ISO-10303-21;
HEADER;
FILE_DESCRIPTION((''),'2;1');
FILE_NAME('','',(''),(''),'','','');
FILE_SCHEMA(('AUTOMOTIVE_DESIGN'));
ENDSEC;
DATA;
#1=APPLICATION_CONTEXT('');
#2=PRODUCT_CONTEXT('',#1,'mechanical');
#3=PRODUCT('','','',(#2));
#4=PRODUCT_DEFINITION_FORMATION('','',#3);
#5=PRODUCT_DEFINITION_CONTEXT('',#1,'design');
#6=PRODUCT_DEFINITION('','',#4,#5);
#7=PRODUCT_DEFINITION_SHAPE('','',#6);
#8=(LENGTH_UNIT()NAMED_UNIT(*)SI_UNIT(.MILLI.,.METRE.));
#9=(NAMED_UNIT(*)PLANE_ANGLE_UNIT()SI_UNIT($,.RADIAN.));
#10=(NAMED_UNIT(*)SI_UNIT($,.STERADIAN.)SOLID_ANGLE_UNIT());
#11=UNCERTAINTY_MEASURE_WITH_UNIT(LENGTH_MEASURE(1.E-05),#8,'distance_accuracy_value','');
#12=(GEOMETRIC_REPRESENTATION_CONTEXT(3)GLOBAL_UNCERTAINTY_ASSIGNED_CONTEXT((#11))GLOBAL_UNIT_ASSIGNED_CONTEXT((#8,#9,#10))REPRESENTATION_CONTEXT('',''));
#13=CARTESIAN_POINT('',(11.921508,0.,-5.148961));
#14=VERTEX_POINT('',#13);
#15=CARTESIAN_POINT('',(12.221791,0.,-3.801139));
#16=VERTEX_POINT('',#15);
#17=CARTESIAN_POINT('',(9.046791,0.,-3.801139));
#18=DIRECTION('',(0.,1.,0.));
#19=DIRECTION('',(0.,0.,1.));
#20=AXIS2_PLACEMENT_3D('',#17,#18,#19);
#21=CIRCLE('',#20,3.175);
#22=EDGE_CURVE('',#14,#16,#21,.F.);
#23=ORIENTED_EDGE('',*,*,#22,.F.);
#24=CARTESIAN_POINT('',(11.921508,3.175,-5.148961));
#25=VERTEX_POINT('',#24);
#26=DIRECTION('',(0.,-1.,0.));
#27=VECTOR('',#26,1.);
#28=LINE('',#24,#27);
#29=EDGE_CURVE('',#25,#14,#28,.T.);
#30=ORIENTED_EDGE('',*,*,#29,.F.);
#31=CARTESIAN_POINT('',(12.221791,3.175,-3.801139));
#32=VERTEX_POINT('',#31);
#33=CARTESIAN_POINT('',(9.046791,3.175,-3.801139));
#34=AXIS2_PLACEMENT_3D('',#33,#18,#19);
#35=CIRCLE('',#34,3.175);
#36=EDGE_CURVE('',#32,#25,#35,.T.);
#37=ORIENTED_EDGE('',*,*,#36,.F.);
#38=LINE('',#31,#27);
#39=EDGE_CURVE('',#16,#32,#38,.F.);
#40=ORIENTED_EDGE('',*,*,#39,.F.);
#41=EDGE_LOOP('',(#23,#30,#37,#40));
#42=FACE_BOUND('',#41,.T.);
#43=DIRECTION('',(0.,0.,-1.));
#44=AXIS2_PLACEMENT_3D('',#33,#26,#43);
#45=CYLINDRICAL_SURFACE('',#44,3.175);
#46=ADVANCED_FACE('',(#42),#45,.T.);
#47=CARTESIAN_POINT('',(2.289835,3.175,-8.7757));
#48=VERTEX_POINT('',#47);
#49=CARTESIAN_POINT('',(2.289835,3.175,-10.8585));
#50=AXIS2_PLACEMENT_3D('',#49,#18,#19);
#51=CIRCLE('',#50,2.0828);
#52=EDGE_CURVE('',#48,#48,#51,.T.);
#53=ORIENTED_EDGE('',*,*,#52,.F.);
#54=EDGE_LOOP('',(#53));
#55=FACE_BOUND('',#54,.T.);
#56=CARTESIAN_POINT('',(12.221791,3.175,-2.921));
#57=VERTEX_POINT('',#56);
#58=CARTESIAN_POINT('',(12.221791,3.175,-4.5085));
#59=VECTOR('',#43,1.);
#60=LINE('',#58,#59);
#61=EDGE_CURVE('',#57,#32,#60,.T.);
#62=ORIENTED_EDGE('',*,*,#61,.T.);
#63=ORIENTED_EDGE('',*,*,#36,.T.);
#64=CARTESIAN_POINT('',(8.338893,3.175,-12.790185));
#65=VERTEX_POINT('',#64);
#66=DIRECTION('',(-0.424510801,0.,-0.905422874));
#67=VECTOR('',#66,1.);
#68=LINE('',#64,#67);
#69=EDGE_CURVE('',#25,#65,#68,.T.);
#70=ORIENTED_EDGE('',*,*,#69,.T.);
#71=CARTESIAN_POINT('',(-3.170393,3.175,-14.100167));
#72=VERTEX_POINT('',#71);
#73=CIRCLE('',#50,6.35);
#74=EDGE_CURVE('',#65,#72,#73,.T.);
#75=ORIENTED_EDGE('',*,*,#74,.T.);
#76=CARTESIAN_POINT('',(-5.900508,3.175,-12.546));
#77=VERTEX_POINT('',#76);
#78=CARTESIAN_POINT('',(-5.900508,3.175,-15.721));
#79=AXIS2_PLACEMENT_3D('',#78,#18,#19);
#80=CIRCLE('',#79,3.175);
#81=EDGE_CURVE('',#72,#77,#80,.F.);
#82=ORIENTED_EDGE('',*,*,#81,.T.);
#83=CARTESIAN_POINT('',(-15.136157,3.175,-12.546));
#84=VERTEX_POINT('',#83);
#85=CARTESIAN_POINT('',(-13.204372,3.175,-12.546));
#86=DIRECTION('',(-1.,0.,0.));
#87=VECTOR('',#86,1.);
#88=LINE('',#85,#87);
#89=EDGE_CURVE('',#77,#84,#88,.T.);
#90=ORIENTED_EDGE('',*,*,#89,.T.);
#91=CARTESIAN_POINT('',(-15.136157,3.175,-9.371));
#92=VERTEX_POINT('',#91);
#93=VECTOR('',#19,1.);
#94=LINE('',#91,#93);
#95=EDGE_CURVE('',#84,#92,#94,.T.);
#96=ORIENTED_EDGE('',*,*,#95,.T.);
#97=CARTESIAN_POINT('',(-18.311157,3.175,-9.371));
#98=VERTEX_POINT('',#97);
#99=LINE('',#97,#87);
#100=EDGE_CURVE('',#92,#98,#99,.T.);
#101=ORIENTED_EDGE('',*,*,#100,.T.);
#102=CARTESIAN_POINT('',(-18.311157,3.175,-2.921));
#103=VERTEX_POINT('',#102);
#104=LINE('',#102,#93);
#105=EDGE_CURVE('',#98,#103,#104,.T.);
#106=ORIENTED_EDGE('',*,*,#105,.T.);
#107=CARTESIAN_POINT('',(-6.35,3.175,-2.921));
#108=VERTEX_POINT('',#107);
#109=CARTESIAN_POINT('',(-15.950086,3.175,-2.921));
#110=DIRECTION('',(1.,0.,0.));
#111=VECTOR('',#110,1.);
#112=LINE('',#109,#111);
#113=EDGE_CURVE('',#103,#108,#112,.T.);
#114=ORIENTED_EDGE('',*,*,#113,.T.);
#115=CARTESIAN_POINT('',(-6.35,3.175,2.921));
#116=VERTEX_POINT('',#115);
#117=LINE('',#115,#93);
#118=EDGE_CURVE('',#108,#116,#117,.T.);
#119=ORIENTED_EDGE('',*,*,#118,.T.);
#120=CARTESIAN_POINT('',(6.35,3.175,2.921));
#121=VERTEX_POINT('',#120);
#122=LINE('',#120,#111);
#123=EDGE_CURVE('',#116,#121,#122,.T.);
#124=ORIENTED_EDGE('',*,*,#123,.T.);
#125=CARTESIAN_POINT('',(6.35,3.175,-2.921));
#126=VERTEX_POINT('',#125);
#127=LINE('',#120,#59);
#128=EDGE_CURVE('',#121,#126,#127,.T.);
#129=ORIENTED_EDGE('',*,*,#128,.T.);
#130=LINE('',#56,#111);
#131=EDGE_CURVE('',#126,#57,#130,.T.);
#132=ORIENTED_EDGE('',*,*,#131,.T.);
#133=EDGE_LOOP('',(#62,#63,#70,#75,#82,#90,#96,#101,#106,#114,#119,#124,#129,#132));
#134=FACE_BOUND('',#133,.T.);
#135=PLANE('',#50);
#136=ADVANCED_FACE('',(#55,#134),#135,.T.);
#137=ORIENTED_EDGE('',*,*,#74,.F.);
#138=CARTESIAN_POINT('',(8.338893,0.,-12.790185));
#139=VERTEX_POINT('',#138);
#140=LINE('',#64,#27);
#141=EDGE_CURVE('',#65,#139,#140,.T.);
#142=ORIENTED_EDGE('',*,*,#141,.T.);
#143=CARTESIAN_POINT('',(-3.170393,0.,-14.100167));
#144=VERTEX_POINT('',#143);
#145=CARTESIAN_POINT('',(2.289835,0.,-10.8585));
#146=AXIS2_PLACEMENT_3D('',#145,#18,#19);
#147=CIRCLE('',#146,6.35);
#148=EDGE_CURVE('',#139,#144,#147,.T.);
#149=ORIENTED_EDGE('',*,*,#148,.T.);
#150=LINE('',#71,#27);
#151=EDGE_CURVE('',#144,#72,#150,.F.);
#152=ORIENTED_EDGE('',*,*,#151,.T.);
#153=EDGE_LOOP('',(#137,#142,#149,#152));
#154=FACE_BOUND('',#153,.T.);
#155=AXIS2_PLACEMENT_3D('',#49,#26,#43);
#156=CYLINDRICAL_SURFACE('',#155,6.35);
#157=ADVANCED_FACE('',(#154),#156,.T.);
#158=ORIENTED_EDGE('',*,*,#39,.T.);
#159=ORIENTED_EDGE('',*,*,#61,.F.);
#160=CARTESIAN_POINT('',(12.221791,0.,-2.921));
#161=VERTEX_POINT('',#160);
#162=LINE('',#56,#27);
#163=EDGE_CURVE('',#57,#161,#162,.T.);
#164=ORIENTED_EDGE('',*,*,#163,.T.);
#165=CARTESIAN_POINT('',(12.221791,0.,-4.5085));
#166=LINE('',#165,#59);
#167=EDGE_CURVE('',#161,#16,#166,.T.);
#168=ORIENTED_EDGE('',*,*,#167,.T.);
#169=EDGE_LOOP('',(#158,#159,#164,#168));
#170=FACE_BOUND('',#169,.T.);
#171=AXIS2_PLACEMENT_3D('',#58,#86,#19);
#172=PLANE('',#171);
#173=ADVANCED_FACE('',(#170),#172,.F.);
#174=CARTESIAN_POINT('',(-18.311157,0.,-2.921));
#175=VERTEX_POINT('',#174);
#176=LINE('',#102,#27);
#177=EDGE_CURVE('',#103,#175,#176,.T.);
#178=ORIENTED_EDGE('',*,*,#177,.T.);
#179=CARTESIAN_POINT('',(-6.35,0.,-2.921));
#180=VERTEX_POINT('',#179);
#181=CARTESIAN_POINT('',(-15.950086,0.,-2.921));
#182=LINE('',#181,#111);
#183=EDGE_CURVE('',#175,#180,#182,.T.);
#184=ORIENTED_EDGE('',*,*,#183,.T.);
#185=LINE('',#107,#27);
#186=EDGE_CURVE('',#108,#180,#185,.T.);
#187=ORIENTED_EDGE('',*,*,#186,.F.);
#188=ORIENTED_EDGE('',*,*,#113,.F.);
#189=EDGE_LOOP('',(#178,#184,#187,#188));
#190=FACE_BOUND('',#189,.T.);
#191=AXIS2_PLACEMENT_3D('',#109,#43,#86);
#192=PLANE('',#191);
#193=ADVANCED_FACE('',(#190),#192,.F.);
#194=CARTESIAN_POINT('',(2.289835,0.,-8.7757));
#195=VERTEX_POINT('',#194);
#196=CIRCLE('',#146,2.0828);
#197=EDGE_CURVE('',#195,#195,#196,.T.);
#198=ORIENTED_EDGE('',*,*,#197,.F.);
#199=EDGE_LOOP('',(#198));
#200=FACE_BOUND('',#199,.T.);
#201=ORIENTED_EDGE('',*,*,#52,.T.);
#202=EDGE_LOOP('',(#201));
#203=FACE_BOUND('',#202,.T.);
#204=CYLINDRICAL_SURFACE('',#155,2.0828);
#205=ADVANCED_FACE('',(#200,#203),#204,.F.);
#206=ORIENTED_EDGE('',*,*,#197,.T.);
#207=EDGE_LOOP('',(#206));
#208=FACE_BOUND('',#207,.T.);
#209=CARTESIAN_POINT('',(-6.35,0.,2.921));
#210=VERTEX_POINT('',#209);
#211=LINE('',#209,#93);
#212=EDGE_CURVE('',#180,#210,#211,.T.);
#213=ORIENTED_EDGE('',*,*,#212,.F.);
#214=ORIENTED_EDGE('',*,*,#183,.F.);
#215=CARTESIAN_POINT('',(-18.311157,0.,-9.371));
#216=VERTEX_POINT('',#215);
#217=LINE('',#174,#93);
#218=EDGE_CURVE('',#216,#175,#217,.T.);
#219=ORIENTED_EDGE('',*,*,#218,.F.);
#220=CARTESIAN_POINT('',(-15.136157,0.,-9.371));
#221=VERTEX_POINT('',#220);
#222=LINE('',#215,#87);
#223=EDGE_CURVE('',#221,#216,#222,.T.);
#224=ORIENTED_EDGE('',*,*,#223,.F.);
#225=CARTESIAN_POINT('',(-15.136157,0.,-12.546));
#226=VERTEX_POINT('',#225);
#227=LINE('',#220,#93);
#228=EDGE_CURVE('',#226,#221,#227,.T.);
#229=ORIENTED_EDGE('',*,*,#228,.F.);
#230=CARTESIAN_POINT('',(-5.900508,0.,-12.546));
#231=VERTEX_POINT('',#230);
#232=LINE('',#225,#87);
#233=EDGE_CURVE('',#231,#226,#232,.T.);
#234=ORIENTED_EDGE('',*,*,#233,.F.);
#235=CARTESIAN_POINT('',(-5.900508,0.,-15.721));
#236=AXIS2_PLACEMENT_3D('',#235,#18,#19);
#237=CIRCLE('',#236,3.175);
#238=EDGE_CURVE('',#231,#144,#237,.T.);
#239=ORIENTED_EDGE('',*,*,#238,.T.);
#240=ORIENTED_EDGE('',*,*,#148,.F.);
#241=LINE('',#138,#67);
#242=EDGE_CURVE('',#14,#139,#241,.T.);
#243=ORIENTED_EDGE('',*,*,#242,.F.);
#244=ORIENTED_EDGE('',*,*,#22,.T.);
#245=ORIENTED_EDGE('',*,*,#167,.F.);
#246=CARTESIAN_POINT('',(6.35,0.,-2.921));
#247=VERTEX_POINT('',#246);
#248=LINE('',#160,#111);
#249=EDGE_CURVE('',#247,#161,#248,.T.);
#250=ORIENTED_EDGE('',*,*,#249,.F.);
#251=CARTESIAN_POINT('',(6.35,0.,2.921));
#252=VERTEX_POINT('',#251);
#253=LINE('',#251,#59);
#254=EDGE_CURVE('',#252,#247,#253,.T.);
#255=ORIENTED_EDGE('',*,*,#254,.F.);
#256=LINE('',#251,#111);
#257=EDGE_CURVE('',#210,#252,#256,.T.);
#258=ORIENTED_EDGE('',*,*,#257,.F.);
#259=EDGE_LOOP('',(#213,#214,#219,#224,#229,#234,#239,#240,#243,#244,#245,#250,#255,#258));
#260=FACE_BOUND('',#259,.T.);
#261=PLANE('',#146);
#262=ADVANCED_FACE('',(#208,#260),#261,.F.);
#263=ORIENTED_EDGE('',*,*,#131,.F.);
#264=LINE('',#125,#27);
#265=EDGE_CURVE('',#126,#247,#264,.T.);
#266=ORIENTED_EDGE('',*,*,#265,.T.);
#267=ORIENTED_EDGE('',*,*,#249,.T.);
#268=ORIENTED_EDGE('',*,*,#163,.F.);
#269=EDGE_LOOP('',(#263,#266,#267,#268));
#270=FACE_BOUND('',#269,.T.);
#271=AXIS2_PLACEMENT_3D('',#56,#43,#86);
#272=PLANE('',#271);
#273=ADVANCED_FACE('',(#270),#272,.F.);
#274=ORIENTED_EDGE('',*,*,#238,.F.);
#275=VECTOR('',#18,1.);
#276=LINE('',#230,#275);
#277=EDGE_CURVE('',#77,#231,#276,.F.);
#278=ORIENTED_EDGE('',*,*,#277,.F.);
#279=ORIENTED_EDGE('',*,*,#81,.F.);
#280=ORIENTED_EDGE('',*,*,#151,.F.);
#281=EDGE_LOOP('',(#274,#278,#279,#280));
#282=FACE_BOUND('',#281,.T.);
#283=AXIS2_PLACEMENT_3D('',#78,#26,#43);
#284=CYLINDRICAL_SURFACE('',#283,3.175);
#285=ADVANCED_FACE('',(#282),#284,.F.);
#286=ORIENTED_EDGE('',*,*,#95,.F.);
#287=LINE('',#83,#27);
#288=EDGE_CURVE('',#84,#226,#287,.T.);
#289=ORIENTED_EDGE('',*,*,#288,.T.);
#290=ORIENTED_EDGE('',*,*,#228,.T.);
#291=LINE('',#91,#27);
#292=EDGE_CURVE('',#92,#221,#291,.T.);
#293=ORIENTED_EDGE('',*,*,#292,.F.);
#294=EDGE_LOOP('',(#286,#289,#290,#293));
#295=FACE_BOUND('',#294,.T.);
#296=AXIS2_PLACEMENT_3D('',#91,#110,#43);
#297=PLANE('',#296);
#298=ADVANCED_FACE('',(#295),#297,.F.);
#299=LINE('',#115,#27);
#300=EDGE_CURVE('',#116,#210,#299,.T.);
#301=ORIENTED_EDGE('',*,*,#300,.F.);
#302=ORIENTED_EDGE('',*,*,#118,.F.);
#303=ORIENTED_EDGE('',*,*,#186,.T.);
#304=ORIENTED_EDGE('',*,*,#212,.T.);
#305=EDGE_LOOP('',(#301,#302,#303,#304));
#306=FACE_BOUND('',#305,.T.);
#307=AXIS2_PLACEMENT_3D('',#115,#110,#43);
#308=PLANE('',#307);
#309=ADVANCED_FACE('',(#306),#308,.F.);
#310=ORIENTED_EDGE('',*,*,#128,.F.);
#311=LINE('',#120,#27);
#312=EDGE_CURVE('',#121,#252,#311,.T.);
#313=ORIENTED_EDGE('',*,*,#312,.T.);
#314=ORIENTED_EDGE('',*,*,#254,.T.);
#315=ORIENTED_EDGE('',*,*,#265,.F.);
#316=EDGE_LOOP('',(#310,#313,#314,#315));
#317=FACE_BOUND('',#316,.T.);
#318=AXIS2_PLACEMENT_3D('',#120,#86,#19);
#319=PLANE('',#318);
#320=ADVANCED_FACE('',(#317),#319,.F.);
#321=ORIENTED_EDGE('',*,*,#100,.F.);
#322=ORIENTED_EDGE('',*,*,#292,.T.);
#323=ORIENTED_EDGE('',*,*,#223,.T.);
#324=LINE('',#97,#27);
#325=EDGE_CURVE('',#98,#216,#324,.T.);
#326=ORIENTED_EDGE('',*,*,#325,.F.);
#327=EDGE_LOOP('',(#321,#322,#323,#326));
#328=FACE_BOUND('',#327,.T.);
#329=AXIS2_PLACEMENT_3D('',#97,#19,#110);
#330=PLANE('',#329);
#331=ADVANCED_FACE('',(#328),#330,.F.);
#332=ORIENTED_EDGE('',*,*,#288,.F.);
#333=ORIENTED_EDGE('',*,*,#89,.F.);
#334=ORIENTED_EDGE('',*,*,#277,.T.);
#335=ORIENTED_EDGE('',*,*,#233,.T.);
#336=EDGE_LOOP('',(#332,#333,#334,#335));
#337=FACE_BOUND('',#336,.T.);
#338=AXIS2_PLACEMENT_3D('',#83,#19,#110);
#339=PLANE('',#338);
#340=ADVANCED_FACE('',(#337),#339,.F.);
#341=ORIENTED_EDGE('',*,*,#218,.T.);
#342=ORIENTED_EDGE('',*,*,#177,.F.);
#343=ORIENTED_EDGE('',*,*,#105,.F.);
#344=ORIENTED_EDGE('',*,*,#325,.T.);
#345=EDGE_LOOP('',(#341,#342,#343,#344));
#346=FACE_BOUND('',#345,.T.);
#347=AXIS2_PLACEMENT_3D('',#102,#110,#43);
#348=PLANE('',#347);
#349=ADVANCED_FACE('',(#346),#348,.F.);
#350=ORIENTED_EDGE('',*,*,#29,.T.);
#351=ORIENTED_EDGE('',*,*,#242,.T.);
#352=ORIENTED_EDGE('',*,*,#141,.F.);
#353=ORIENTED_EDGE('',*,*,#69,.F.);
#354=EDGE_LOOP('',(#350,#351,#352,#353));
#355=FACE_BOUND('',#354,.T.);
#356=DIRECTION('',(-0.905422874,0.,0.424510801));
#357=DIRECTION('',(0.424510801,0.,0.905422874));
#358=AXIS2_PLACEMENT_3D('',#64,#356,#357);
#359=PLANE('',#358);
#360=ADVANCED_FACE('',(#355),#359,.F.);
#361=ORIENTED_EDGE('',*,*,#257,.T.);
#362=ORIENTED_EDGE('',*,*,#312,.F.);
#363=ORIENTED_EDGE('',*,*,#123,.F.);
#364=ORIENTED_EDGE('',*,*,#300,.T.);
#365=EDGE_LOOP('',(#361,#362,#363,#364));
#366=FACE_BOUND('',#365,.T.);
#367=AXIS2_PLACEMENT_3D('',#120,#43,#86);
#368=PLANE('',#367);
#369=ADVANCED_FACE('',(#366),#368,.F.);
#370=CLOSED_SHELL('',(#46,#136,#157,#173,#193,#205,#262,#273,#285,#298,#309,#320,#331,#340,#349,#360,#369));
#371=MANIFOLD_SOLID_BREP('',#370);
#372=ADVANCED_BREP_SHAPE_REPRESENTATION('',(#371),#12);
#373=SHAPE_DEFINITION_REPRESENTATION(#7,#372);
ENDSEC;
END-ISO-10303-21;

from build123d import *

# Parameters (mm, degrees)
SKETCH1_R           = 2.0828
BOSS_EXTRUDE1_DEPTH = 3.175
FILLET1_R           = 3.175


with BuildPart() as part:
    # Sketch1 → Boss-Extrude1 (new body)
    with BuildSketch(Plane(origin=(0, 0, 0), x_dir=(1, 0, 0), z_dir=(0, 1, 0))):
        with BuildLine():
            Line((-15.950085837, 2.921), (-18.3111574, 2.921))
            Line((-18.3111574, 2.921), (-18.3111574, 9.371))
            Line((-18.3111574, 9.371), (-15.1361574, 9.371))
            Line((-15.1361574, 9.371), (-15.1361574, 12.546))
            Line((-15.1361574, 12.546), (-13.204371576, 12.546))
            Line((-13.204371576, 12.546), (-3.831834579, 12.546))
            ThreePointArc((-3.831834579, 12.546), (2.162458915, 17.20722233), (8.338892533, 12.790185329))
            Line((8.338892533, 12.790185329), (12.221790763, 4.5085))
            Line((12.221790763, 4.5085), (12.221790763, 2.921))
            Line((12.221790763, 2.921), (6.35, 2.921))
            Line((6.35, 2.921), (6.35, -2.921))
            Line((6.35, -2.921), (-6.35, -2.921))
            Line((-6.35, -2.921), (-6.35, 2.921))
            Line((-6.35, 2.921), (-15.950085837, 2.921))
        make_face()
        with Locations(Location((2.289835434, 10.8585, 0), (0, 0, 270))):
            Circle(SKETCH1_R, mode=Mode.SUBTRACT)
    extrude(amount=BOSS_EXTRUDE1_DEPTH)

    # Fillet1
    fillet1_edges = [part.edges().sort_by_distance(p)[0] for p in [
        (-3.831834579, 1.5875, -12.546),
        (12.221790763, 1.5875, -4.5085),
    ]]
    fillet(fillet1_edges, radius=FILLET1_R)


solid = part.part
